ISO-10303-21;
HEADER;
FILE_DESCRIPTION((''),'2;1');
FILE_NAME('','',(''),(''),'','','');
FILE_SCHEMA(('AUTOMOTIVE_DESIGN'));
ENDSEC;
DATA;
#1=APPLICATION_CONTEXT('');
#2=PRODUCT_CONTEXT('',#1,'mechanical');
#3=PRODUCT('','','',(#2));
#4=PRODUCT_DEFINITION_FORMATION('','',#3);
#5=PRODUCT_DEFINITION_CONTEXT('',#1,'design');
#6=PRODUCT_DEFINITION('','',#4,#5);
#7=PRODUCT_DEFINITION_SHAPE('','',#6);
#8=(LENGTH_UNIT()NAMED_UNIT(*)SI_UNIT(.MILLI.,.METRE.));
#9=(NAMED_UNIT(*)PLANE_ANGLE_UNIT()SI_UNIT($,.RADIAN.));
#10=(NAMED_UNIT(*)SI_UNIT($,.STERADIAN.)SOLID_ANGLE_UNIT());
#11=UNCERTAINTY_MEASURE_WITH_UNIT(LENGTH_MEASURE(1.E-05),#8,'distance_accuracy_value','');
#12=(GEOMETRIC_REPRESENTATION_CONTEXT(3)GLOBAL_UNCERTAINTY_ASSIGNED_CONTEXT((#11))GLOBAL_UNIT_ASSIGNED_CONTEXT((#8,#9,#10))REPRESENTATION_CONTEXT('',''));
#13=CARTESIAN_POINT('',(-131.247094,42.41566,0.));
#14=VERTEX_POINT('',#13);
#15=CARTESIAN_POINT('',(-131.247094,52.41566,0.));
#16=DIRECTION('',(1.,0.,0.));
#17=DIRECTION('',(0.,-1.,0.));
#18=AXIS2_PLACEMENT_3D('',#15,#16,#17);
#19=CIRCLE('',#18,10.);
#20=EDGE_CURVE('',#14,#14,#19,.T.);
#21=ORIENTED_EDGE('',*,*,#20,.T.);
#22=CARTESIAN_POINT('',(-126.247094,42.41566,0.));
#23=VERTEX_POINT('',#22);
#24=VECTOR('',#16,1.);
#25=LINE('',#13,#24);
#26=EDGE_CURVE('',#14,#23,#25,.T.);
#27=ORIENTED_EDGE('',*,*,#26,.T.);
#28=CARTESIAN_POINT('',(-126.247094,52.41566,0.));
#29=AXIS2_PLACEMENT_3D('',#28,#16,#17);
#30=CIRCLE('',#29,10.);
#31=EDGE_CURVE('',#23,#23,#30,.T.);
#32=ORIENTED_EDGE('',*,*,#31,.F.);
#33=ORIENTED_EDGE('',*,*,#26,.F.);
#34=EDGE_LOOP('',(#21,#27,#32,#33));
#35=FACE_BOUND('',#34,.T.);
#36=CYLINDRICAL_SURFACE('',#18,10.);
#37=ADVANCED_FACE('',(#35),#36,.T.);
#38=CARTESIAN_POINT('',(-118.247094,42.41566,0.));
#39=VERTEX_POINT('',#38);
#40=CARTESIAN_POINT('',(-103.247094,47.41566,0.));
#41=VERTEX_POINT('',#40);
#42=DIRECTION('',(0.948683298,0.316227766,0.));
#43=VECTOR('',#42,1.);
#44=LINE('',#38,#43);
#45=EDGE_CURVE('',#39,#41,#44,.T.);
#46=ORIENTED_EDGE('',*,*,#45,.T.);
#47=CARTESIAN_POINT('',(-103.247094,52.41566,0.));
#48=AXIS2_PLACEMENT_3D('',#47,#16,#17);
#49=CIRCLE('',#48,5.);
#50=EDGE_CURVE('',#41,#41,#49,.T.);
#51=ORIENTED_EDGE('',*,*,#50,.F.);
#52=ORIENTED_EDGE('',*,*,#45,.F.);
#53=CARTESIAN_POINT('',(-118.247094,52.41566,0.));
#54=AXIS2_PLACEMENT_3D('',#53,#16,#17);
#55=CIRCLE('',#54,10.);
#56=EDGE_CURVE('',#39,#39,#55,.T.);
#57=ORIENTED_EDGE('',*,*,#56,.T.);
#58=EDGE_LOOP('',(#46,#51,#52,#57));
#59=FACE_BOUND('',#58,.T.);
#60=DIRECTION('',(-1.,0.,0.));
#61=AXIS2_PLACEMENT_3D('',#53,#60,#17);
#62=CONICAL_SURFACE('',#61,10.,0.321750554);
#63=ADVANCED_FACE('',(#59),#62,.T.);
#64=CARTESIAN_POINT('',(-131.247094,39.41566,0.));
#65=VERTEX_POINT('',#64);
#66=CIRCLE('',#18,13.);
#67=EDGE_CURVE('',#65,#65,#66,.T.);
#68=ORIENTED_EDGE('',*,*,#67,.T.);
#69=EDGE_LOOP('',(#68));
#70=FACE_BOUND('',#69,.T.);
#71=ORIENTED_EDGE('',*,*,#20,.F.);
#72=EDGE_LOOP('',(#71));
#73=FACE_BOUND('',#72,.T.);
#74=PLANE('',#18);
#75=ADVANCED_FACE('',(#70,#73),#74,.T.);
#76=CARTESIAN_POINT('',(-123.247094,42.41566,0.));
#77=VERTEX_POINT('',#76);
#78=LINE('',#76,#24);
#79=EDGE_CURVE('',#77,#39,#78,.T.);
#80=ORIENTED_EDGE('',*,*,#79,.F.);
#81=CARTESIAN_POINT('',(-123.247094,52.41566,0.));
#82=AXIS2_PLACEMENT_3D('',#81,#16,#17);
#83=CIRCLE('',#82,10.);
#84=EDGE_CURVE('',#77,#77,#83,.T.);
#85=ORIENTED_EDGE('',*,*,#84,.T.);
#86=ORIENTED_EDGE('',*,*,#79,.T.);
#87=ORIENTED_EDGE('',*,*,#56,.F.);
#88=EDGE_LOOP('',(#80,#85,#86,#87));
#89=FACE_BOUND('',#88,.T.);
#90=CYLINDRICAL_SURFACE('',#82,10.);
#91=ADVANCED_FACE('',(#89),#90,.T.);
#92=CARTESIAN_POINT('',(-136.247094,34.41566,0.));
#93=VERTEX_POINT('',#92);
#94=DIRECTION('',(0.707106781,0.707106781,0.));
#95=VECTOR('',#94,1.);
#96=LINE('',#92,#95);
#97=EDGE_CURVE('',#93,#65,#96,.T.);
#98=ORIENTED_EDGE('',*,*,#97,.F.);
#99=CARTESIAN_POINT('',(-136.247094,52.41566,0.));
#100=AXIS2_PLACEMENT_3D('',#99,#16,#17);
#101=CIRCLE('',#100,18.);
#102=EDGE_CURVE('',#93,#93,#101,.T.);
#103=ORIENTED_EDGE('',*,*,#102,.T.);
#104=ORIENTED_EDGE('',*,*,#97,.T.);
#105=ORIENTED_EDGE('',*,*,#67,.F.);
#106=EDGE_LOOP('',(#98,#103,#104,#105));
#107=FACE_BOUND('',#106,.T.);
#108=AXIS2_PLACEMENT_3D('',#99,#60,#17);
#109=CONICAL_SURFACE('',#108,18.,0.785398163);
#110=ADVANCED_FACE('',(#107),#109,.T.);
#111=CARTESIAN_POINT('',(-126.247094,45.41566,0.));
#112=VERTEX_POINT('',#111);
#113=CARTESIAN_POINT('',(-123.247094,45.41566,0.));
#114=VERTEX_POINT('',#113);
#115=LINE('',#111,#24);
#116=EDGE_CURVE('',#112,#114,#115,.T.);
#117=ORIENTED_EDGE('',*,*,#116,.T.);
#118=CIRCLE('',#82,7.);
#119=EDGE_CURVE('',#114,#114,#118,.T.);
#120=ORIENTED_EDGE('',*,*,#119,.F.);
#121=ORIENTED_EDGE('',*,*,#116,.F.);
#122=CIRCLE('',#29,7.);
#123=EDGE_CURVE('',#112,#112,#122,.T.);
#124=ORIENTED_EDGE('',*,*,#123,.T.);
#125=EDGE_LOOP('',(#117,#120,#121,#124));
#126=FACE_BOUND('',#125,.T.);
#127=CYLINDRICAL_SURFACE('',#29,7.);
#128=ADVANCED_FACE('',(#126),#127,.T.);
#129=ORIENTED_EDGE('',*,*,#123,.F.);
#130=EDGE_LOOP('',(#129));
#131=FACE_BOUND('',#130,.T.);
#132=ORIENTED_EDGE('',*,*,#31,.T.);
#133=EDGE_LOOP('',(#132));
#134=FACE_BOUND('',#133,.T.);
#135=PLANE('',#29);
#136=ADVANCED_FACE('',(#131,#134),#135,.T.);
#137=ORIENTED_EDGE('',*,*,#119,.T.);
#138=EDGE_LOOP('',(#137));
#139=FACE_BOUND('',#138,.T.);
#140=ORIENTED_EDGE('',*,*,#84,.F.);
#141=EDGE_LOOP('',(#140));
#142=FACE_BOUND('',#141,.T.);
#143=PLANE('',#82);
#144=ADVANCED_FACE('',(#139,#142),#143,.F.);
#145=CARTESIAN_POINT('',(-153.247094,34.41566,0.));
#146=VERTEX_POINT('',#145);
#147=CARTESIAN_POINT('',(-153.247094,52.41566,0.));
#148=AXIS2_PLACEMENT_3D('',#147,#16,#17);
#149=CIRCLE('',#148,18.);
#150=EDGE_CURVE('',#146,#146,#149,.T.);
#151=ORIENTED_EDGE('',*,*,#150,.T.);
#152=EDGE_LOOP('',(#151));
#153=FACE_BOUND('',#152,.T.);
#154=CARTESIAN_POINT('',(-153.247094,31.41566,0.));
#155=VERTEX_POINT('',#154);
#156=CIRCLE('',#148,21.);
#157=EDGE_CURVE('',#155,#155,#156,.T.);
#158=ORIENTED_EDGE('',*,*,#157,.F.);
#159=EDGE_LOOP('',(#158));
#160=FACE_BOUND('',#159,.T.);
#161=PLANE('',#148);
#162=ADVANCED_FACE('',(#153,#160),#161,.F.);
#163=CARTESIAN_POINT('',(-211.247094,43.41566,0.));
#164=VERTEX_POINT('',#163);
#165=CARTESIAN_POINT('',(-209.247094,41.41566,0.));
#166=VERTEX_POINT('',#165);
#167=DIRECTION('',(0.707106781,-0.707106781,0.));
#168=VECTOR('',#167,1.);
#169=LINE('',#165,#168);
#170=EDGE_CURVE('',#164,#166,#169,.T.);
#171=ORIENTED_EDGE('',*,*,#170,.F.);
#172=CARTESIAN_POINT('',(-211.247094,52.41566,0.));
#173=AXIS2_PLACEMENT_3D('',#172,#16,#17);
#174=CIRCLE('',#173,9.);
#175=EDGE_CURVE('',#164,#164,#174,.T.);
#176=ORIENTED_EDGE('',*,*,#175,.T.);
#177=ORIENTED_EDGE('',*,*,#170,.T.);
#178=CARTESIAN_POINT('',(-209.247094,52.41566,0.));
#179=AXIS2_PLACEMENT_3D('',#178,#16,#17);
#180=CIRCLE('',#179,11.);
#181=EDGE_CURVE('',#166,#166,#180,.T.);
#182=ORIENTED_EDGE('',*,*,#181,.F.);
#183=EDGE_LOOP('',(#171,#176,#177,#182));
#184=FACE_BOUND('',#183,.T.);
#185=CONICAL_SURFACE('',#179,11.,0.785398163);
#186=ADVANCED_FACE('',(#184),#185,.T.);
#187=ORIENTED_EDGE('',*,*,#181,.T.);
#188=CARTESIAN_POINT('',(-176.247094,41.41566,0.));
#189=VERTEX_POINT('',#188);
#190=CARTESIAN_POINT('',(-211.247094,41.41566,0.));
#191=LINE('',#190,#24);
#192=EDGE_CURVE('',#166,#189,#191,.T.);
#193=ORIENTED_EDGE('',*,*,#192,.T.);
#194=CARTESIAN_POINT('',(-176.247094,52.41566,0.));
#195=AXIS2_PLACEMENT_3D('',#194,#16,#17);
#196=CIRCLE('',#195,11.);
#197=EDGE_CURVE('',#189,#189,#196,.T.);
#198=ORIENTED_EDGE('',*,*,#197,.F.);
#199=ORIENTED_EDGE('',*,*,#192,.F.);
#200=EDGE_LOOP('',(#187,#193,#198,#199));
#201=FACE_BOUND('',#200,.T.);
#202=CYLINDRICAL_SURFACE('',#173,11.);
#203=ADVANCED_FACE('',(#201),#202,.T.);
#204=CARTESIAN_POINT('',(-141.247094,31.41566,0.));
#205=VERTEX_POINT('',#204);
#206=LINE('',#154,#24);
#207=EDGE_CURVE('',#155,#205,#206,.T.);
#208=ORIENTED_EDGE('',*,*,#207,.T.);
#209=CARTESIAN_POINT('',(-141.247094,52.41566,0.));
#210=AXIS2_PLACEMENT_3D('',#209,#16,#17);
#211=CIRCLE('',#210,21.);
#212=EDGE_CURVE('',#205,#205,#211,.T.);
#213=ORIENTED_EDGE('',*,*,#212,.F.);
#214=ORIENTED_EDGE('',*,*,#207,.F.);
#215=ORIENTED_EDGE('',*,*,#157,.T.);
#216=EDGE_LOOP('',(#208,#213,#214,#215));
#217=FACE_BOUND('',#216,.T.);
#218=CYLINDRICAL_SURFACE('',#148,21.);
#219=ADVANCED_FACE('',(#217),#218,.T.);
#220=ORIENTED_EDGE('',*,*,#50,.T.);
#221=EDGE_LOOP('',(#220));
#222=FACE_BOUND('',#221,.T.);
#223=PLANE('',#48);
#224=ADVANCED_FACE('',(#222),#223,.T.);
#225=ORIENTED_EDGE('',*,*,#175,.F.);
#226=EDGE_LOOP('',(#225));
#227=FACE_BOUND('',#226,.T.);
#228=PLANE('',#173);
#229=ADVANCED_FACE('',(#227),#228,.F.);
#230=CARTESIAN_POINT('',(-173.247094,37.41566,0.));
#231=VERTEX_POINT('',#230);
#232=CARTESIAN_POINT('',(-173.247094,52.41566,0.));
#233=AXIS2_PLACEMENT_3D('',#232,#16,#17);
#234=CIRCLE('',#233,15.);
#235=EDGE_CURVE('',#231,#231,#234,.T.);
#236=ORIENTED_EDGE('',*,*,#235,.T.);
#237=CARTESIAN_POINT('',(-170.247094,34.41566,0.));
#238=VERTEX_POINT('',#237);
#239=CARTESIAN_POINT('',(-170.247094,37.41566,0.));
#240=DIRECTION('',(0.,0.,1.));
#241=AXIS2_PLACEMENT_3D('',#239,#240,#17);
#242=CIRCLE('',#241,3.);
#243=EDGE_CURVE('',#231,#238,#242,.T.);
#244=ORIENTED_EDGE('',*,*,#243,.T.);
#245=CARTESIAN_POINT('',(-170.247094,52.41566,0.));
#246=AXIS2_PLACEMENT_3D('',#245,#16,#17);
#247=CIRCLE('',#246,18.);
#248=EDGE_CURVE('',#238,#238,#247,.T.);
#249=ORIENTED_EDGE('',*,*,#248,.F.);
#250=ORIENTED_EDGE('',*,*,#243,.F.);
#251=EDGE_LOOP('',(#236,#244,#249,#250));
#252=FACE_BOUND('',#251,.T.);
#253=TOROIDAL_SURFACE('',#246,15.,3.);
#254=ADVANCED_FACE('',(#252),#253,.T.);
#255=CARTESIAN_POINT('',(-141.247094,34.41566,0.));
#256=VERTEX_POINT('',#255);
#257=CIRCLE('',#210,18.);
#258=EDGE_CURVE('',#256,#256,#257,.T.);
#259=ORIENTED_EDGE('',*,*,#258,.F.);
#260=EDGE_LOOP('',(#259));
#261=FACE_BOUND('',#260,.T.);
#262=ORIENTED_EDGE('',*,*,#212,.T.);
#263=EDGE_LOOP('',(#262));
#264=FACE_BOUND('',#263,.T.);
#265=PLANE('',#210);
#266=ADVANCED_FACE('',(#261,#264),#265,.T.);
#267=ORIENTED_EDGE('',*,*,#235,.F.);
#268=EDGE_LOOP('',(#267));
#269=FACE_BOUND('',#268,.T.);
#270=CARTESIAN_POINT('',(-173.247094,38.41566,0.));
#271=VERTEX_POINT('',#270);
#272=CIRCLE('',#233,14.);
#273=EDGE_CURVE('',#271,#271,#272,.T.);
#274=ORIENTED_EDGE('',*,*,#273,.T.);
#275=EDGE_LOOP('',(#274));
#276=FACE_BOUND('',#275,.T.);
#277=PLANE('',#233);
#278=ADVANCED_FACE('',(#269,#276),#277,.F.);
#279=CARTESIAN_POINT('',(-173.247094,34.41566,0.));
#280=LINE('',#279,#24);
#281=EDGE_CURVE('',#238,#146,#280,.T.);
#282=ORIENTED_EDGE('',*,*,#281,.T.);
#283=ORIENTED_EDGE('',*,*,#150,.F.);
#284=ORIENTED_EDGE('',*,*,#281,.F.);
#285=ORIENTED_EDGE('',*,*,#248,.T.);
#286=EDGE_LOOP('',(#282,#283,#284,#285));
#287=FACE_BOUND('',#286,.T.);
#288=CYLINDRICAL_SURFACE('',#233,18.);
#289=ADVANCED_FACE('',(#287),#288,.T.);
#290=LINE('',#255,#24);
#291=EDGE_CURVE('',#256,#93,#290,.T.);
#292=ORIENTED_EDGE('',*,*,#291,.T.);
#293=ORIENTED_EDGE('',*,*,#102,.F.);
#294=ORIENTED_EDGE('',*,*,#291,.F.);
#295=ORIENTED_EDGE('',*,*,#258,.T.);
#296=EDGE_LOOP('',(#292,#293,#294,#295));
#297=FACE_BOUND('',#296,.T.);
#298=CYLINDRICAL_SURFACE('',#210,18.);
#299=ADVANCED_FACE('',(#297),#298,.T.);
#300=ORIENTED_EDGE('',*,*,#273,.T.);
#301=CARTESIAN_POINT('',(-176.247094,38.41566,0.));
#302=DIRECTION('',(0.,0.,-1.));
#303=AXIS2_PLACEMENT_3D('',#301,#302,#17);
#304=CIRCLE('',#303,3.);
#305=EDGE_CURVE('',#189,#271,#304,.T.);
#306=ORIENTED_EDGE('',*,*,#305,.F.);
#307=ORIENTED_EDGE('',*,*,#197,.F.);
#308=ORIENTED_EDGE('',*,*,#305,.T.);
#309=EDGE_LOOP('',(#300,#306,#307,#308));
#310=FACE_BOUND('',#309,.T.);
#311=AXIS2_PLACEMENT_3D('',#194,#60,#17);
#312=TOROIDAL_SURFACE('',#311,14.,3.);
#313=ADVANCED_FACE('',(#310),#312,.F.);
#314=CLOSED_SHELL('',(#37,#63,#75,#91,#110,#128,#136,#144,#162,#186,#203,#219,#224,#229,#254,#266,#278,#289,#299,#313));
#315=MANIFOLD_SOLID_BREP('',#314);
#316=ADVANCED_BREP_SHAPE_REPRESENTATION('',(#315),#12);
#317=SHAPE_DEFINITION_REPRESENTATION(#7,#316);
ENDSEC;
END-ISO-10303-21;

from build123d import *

# Parameters (mm, degrees)
F2_SIZE = 2
F3_R    = 3
F4_SIZE = 5


with BuildPart() as f1:
    # F0 (on Top) → F1 (revolve)
    with BuildSketch(Plane.XY):
        Polygon((-103.2470944208, 52.4156599623), (-211.2470944208, 52.4156599623), (-211.2470944208, 41.4156599623), (-173.2470944208, 41.4156599623), (-173.2470944208, 34.4156599623), (-153.2470944208, 34.4156599623), (-153.2470944208, 31.4156599623), (-141.2470944208, 31.4156599623), (-141.2470944208, 34.4156599623), (-131.2470944208, 34.4156599623), (-131.2470944208, 42.4156599623), (-126.2470944208, 42.4156599623), (-126.2470944208, 45.4156599623), (-123.2470944208, 45.4156599623), (-123.2470944208, 42.4156599623), (-118.2470944208, 42.4156599623), (-103.2470944208, 47.4156599623), align=None)
    revolve(axis=Axis((-157.2470944208, 52.4156599623, 0), (1, 0, 0)))

    # F2
    f2_edges = [f1.edges().sort_by_distance(p)[0] for p in [
        (-211.247094, 63.41566, 0),
    ]]
    chamfer(f2_edges, length=F2_SIZE)

    # F3
    f3_edges = [f1.edges().sort_by_distance(p)[0] for p in [
        (-173.247094, 63.41566, 0),
        (-173.247094, 70.41566, 0),
    ]]
    fillet(f3_edges, radius=F3_R)

    # F4
    f4_edges = [f1.edges().sort_by_distance(p)[0] for p in [
        (-131.247094, 70.41566, 0),
    ]]
    chamfer(f4_edges, length=F4_SIZE)


solid = f1.part
